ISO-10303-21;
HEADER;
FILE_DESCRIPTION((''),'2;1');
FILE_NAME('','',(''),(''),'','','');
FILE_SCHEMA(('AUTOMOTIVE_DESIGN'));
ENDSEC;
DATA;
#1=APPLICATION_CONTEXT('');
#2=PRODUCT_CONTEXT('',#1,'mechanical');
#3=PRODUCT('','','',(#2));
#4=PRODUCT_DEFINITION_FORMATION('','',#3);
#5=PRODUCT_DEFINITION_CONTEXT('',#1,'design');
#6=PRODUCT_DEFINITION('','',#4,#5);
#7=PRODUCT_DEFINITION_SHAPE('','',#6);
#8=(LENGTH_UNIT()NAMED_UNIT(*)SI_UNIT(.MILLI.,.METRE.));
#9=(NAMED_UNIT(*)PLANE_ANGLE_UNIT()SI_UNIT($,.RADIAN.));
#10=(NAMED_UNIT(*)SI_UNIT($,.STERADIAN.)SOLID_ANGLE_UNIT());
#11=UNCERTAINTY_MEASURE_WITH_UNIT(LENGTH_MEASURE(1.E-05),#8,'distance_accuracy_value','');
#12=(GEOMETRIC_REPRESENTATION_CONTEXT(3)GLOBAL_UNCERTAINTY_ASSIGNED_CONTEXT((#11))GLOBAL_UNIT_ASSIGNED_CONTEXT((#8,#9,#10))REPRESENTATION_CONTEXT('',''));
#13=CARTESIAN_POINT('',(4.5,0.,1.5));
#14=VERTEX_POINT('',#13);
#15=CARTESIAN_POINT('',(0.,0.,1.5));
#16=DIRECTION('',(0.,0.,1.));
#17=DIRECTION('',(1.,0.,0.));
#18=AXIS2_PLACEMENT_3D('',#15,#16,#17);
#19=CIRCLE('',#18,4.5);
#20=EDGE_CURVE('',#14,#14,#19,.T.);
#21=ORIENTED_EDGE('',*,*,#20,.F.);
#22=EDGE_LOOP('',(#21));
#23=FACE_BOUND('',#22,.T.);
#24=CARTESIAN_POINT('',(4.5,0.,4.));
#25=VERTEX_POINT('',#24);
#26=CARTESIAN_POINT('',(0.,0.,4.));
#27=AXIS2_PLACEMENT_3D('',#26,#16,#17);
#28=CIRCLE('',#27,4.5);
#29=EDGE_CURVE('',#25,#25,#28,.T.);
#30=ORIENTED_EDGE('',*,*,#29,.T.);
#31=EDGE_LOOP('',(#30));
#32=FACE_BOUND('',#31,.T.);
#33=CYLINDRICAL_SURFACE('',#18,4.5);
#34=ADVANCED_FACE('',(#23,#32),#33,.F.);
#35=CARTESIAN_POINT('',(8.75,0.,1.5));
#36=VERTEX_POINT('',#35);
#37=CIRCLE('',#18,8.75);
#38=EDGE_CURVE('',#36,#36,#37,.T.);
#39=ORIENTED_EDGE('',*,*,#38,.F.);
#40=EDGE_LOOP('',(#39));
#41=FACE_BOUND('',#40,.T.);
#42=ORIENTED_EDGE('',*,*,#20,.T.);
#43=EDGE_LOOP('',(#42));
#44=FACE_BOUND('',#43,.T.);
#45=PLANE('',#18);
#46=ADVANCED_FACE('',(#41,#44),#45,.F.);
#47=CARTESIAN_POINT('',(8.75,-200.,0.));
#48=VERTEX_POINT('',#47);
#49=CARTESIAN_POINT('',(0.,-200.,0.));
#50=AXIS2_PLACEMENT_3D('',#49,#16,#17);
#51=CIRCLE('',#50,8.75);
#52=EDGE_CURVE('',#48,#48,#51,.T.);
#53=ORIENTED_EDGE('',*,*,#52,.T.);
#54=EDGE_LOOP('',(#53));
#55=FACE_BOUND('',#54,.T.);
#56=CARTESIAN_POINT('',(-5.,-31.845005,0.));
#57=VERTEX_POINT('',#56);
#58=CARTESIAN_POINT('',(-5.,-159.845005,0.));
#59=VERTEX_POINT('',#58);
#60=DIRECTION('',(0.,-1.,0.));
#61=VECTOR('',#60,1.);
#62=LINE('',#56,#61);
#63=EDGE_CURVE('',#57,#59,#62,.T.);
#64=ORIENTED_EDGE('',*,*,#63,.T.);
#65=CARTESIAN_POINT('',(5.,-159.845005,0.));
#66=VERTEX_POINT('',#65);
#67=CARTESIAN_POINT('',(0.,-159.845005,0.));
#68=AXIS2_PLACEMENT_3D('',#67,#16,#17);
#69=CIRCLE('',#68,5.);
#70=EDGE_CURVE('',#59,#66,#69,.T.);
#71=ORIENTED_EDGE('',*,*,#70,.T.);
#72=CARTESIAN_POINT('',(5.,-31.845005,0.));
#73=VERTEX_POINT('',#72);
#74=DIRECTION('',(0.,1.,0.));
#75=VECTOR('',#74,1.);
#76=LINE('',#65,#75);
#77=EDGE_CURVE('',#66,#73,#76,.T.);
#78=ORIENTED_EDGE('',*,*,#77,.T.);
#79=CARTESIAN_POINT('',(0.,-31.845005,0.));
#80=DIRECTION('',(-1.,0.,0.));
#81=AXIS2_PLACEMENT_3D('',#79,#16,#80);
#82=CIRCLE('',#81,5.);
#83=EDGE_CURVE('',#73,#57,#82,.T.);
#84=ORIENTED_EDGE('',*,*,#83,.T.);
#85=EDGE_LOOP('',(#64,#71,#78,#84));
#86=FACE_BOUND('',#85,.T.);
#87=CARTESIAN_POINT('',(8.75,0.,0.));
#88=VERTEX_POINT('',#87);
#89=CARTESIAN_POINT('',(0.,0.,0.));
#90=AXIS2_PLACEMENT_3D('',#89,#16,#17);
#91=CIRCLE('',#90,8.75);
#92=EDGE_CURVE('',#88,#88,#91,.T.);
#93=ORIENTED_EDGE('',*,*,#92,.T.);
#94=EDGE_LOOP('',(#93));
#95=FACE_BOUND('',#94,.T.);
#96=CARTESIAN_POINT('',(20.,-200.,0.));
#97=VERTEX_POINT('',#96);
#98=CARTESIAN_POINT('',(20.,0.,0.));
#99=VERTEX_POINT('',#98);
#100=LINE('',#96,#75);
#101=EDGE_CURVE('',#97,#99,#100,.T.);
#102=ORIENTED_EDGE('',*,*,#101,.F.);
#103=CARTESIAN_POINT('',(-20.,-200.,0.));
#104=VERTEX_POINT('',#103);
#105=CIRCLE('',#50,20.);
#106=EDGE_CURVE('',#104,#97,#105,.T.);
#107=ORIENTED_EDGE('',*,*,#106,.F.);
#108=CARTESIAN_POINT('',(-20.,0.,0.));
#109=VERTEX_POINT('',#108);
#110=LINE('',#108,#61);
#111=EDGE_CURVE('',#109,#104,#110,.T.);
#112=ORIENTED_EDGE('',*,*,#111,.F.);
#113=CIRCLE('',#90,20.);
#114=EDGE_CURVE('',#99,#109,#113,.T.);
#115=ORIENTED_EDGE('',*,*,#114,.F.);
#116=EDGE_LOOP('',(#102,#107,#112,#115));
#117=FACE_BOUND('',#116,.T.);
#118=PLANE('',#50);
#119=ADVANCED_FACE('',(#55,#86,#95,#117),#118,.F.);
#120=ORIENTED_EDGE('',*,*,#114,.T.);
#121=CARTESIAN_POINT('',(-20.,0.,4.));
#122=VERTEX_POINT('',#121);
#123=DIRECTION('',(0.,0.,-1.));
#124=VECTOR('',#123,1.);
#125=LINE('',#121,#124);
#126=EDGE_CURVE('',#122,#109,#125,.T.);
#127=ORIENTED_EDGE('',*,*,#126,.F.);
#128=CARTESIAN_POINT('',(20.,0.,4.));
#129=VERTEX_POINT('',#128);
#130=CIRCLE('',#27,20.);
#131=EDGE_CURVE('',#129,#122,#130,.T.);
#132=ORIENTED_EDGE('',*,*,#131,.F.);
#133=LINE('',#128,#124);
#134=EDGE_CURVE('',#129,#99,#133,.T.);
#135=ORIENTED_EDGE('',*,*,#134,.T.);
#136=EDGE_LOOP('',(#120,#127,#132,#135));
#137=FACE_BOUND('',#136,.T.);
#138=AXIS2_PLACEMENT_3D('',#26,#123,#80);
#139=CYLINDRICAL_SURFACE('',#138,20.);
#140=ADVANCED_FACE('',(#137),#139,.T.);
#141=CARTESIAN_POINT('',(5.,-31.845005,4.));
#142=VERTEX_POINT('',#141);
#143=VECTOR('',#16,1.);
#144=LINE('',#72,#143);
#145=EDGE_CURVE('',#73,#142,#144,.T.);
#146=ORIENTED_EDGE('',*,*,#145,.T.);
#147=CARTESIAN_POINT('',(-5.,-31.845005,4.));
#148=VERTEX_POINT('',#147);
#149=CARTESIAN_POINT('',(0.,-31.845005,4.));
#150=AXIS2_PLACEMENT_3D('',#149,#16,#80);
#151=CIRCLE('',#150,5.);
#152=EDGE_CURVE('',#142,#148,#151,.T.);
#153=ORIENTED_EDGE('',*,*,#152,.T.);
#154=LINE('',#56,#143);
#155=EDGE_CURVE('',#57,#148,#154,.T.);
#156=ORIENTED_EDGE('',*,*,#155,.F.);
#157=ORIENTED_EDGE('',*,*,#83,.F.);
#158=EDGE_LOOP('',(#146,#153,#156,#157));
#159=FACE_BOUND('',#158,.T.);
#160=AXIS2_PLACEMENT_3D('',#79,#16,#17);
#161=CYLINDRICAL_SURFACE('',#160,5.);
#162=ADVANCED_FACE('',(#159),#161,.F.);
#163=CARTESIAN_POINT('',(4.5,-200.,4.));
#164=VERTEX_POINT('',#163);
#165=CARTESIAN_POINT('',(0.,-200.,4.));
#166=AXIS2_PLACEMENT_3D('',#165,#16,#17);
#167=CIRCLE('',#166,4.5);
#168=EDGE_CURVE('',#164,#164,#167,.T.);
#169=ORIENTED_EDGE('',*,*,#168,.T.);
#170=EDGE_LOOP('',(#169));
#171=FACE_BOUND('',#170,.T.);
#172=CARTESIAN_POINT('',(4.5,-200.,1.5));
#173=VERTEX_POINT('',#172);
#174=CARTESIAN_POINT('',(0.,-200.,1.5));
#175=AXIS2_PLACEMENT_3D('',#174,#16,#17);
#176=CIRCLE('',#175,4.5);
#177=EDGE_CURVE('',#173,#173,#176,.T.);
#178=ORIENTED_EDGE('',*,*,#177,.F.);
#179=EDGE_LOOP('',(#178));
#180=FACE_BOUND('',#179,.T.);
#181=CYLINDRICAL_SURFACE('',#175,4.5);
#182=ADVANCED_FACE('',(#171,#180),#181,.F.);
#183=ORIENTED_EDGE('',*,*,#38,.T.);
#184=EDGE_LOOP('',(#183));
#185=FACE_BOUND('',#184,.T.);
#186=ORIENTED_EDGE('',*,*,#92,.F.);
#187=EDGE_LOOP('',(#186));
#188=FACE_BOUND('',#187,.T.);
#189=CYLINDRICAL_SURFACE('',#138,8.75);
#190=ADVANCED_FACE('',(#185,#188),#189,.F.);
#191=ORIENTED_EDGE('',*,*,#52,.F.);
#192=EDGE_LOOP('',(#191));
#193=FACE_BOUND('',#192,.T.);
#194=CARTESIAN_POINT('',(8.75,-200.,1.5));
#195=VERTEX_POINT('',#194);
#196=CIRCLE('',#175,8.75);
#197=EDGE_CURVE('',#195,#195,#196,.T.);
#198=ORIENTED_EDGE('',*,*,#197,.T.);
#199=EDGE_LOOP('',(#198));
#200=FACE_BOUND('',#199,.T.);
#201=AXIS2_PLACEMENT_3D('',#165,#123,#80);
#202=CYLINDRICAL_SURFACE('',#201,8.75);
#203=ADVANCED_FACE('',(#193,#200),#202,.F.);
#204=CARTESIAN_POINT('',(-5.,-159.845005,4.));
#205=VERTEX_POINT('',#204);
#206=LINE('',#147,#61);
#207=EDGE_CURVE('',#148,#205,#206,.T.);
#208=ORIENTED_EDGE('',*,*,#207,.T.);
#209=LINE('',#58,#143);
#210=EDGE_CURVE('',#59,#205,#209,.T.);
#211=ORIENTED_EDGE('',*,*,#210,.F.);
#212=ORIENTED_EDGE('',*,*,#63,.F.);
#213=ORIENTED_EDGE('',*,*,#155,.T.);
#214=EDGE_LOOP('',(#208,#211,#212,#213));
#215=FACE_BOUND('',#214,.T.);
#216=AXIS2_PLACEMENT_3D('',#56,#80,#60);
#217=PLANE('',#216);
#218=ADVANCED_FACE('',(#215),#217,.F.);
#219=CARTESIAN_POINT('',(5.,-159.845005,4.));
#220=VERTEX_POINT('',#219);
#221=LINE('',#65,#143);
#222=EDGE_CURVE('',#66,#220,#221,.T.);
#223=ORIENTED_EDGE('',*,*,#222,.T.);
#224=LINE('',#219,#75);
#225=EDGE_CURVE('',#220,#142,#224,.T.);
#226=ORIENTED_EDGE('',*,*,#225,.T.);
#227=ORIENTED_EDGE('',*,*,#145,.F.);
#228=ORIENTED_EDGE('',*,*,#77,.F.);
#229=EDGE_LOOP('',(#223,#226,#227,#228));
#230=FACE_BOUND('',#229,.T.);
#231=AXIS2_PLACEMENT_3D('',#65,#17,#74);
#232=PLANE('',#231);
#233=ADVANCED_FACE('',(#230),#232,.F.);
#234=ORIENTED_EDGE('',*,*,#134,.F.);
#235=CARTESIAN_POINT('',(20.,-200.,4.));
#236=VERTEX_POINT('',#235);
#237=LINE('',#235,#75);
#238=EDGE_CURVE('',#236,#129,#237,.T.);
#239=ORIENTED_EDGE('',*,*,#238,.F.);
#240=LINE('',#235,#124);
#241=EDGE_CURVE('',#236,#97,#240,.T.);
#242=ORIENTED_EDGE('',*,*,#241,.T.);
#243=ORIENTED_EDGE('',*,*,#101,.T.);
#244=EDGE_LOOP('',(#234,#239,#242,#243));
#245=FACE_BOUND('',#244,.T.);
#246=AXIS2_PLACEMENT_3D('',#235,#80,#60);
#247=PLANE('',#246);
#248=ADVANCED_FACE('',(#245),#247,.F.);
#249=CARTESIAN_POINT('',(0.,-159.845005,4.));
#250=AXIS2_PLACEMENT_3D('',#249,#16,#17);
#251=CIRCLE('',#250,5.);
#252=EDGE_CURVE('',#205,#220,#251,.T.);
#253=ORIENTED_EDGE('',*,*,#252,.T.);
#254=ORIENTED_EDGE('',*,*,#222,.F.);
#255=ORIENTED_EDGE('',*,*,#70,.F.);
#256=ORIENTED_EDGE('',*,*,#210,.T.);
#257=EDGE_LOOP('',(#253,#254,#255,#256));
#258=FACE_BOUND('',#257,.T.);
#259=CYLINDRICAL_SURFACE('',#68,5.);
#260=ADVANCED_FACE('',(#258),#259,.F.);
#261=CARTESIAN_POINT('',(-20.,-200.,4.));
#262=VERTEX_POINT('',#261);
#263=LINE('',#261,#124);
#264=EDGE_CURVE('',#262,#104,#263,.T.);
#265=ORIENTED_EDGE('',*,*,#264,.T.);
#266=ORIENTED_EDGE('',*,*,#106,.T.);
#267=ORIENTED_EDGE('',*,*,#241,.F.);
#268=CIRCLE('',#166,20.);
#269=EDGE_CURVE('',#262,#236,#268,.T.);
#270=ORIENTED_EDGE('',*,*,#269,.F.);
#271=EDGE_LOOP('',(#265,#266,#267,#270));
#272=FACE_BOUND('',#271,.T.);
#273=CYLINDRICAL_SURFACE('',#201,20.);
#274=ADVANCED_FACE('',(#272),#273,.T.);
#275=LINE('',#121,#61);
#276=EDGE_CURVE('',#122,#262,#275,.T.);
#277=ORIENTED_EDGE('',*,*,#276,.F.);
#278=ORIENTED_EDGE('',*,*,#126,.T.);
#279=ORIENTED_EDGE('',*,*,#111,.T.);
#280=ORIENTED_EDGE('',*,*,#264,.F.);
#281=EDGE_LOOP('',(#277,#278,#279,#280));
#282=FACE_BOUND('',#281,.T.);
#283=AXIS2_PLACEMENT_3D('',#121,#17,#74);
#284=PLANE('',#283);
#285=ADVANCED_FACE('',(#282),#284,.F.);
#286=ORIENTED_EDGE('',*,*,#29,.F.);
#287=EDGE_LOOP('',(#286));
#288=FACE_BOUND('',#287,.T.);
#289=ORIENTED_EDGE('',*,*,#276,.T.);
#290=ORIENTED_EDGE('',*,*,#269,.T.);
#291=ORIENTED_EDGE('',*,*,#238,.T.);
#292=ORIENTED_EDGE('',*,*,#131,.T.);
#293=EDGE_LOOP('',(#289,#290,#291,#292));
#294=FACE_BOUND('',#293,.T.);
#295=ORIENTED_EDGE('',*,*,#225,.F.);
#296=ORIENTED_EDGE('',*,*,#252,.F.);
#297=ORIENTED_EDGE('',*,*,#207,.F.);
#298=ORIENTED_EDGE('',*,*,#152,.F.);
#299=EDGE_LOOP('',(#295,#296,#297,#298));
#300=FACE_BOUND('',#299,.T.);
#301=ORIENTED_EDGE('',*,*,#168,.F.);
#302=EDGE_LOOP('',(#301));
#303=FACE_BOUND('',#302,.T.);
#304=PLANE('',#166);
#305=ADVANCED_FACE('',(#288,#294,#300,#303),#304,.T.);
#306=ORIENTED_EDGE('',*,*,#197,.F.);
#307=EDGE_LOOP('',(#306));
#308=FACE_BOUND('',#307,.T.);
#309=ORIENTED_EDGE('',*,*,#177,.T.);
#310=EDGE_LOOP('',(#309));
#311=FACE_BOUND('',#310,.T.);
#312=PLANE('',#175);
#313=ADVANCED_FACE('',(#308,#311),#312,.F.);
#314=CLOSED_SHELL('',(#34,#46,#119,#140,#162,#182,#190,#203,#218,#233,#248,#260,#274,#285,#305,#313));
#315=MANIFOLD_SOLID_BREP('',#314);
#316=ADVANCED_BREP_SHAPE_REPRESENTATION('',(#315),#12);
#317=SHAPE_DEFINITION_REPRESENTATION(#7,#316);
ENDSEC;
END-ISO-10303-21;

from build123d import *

# Parameters (mm, degrees)
SKETCH_1_R          = 8.75
EXTRUDE_1_DEPTH     = 4
EXTRUDE_START       = -2.5
SKETCH_3_R          = 8.75
SKETCH_3_R_2        = 4.5
EXTRUDE_2_DEPTH     = 2.5
CUT_EXTRUDE_2_DEPTH = 221.943431674


with BuildPart() as part:
    # 草图1 → 凸台-拉伸1 (new body)
    with BuildSketch(Plane.XY):
        with BuildLine():
            Line((-20, 0), (-20, -200))
            ThreePointArc((-20, -200), (0, -220), (20, -200))
            Line((20, -200), (20, 0))
            ThreePointArc((20, 0), (0, 20), (-20, 0))
        make_face()
        Circle(SKETCH_1_R, mode=Mode.SUBTRACT)
        with Locations((0, -200)):
            Circle(SKETCH_1_R, mode=Mode.SUBTRACT)
    extrude(amount=EXTRUDE_1_DEPTH)

    # 草图3 → 凸台-拉伸2 (add)
    # profile 1 of 2: a face of its own
    with BuildSketch(Plane.XY.offset(4).offset(EXTRUDE_START)):
        Circle(SKETCH_3_R)
        Circle(SKETCH_3_R_2, mode=Mode.SUBTRACT)
    # profile 2 of 2: a face of its own
    with BuildSketch(Plane.XY.offset(4).offset(EXTRUDE_START)):
        with Locations((0, -200)):
            Circle(SKETCH_3_R)
        with Locations((0, -200)):
            Circle(SKETCH_3_R_2, mode=Mode.SUBTRACT)
    extrude(amount=EXTRUDE_2_DEPTH)

    # 草图2 → 切除-拉伸2 (cut, through all)
    with BuildSketch(Plane.XY.offset(4)):
        with BuildLine():
            Line((-5, -31.845004689), (-5, -159.845004689))
            ThreePointArc((-5, -159.845004689), (0, -164.845004689), (5, -159.845004689))
            Line((5, -159.845004689), (5, -31.845004689))
            ThreePointArc((5, -31.845004689), (0, -26.845004689), (-5, -31.845004689))
        make_face()
    extrude(amount=-CUT_EXTRUDE_2_DEPTH, mode=Mode.SUBTRACT)


solid = part.part
